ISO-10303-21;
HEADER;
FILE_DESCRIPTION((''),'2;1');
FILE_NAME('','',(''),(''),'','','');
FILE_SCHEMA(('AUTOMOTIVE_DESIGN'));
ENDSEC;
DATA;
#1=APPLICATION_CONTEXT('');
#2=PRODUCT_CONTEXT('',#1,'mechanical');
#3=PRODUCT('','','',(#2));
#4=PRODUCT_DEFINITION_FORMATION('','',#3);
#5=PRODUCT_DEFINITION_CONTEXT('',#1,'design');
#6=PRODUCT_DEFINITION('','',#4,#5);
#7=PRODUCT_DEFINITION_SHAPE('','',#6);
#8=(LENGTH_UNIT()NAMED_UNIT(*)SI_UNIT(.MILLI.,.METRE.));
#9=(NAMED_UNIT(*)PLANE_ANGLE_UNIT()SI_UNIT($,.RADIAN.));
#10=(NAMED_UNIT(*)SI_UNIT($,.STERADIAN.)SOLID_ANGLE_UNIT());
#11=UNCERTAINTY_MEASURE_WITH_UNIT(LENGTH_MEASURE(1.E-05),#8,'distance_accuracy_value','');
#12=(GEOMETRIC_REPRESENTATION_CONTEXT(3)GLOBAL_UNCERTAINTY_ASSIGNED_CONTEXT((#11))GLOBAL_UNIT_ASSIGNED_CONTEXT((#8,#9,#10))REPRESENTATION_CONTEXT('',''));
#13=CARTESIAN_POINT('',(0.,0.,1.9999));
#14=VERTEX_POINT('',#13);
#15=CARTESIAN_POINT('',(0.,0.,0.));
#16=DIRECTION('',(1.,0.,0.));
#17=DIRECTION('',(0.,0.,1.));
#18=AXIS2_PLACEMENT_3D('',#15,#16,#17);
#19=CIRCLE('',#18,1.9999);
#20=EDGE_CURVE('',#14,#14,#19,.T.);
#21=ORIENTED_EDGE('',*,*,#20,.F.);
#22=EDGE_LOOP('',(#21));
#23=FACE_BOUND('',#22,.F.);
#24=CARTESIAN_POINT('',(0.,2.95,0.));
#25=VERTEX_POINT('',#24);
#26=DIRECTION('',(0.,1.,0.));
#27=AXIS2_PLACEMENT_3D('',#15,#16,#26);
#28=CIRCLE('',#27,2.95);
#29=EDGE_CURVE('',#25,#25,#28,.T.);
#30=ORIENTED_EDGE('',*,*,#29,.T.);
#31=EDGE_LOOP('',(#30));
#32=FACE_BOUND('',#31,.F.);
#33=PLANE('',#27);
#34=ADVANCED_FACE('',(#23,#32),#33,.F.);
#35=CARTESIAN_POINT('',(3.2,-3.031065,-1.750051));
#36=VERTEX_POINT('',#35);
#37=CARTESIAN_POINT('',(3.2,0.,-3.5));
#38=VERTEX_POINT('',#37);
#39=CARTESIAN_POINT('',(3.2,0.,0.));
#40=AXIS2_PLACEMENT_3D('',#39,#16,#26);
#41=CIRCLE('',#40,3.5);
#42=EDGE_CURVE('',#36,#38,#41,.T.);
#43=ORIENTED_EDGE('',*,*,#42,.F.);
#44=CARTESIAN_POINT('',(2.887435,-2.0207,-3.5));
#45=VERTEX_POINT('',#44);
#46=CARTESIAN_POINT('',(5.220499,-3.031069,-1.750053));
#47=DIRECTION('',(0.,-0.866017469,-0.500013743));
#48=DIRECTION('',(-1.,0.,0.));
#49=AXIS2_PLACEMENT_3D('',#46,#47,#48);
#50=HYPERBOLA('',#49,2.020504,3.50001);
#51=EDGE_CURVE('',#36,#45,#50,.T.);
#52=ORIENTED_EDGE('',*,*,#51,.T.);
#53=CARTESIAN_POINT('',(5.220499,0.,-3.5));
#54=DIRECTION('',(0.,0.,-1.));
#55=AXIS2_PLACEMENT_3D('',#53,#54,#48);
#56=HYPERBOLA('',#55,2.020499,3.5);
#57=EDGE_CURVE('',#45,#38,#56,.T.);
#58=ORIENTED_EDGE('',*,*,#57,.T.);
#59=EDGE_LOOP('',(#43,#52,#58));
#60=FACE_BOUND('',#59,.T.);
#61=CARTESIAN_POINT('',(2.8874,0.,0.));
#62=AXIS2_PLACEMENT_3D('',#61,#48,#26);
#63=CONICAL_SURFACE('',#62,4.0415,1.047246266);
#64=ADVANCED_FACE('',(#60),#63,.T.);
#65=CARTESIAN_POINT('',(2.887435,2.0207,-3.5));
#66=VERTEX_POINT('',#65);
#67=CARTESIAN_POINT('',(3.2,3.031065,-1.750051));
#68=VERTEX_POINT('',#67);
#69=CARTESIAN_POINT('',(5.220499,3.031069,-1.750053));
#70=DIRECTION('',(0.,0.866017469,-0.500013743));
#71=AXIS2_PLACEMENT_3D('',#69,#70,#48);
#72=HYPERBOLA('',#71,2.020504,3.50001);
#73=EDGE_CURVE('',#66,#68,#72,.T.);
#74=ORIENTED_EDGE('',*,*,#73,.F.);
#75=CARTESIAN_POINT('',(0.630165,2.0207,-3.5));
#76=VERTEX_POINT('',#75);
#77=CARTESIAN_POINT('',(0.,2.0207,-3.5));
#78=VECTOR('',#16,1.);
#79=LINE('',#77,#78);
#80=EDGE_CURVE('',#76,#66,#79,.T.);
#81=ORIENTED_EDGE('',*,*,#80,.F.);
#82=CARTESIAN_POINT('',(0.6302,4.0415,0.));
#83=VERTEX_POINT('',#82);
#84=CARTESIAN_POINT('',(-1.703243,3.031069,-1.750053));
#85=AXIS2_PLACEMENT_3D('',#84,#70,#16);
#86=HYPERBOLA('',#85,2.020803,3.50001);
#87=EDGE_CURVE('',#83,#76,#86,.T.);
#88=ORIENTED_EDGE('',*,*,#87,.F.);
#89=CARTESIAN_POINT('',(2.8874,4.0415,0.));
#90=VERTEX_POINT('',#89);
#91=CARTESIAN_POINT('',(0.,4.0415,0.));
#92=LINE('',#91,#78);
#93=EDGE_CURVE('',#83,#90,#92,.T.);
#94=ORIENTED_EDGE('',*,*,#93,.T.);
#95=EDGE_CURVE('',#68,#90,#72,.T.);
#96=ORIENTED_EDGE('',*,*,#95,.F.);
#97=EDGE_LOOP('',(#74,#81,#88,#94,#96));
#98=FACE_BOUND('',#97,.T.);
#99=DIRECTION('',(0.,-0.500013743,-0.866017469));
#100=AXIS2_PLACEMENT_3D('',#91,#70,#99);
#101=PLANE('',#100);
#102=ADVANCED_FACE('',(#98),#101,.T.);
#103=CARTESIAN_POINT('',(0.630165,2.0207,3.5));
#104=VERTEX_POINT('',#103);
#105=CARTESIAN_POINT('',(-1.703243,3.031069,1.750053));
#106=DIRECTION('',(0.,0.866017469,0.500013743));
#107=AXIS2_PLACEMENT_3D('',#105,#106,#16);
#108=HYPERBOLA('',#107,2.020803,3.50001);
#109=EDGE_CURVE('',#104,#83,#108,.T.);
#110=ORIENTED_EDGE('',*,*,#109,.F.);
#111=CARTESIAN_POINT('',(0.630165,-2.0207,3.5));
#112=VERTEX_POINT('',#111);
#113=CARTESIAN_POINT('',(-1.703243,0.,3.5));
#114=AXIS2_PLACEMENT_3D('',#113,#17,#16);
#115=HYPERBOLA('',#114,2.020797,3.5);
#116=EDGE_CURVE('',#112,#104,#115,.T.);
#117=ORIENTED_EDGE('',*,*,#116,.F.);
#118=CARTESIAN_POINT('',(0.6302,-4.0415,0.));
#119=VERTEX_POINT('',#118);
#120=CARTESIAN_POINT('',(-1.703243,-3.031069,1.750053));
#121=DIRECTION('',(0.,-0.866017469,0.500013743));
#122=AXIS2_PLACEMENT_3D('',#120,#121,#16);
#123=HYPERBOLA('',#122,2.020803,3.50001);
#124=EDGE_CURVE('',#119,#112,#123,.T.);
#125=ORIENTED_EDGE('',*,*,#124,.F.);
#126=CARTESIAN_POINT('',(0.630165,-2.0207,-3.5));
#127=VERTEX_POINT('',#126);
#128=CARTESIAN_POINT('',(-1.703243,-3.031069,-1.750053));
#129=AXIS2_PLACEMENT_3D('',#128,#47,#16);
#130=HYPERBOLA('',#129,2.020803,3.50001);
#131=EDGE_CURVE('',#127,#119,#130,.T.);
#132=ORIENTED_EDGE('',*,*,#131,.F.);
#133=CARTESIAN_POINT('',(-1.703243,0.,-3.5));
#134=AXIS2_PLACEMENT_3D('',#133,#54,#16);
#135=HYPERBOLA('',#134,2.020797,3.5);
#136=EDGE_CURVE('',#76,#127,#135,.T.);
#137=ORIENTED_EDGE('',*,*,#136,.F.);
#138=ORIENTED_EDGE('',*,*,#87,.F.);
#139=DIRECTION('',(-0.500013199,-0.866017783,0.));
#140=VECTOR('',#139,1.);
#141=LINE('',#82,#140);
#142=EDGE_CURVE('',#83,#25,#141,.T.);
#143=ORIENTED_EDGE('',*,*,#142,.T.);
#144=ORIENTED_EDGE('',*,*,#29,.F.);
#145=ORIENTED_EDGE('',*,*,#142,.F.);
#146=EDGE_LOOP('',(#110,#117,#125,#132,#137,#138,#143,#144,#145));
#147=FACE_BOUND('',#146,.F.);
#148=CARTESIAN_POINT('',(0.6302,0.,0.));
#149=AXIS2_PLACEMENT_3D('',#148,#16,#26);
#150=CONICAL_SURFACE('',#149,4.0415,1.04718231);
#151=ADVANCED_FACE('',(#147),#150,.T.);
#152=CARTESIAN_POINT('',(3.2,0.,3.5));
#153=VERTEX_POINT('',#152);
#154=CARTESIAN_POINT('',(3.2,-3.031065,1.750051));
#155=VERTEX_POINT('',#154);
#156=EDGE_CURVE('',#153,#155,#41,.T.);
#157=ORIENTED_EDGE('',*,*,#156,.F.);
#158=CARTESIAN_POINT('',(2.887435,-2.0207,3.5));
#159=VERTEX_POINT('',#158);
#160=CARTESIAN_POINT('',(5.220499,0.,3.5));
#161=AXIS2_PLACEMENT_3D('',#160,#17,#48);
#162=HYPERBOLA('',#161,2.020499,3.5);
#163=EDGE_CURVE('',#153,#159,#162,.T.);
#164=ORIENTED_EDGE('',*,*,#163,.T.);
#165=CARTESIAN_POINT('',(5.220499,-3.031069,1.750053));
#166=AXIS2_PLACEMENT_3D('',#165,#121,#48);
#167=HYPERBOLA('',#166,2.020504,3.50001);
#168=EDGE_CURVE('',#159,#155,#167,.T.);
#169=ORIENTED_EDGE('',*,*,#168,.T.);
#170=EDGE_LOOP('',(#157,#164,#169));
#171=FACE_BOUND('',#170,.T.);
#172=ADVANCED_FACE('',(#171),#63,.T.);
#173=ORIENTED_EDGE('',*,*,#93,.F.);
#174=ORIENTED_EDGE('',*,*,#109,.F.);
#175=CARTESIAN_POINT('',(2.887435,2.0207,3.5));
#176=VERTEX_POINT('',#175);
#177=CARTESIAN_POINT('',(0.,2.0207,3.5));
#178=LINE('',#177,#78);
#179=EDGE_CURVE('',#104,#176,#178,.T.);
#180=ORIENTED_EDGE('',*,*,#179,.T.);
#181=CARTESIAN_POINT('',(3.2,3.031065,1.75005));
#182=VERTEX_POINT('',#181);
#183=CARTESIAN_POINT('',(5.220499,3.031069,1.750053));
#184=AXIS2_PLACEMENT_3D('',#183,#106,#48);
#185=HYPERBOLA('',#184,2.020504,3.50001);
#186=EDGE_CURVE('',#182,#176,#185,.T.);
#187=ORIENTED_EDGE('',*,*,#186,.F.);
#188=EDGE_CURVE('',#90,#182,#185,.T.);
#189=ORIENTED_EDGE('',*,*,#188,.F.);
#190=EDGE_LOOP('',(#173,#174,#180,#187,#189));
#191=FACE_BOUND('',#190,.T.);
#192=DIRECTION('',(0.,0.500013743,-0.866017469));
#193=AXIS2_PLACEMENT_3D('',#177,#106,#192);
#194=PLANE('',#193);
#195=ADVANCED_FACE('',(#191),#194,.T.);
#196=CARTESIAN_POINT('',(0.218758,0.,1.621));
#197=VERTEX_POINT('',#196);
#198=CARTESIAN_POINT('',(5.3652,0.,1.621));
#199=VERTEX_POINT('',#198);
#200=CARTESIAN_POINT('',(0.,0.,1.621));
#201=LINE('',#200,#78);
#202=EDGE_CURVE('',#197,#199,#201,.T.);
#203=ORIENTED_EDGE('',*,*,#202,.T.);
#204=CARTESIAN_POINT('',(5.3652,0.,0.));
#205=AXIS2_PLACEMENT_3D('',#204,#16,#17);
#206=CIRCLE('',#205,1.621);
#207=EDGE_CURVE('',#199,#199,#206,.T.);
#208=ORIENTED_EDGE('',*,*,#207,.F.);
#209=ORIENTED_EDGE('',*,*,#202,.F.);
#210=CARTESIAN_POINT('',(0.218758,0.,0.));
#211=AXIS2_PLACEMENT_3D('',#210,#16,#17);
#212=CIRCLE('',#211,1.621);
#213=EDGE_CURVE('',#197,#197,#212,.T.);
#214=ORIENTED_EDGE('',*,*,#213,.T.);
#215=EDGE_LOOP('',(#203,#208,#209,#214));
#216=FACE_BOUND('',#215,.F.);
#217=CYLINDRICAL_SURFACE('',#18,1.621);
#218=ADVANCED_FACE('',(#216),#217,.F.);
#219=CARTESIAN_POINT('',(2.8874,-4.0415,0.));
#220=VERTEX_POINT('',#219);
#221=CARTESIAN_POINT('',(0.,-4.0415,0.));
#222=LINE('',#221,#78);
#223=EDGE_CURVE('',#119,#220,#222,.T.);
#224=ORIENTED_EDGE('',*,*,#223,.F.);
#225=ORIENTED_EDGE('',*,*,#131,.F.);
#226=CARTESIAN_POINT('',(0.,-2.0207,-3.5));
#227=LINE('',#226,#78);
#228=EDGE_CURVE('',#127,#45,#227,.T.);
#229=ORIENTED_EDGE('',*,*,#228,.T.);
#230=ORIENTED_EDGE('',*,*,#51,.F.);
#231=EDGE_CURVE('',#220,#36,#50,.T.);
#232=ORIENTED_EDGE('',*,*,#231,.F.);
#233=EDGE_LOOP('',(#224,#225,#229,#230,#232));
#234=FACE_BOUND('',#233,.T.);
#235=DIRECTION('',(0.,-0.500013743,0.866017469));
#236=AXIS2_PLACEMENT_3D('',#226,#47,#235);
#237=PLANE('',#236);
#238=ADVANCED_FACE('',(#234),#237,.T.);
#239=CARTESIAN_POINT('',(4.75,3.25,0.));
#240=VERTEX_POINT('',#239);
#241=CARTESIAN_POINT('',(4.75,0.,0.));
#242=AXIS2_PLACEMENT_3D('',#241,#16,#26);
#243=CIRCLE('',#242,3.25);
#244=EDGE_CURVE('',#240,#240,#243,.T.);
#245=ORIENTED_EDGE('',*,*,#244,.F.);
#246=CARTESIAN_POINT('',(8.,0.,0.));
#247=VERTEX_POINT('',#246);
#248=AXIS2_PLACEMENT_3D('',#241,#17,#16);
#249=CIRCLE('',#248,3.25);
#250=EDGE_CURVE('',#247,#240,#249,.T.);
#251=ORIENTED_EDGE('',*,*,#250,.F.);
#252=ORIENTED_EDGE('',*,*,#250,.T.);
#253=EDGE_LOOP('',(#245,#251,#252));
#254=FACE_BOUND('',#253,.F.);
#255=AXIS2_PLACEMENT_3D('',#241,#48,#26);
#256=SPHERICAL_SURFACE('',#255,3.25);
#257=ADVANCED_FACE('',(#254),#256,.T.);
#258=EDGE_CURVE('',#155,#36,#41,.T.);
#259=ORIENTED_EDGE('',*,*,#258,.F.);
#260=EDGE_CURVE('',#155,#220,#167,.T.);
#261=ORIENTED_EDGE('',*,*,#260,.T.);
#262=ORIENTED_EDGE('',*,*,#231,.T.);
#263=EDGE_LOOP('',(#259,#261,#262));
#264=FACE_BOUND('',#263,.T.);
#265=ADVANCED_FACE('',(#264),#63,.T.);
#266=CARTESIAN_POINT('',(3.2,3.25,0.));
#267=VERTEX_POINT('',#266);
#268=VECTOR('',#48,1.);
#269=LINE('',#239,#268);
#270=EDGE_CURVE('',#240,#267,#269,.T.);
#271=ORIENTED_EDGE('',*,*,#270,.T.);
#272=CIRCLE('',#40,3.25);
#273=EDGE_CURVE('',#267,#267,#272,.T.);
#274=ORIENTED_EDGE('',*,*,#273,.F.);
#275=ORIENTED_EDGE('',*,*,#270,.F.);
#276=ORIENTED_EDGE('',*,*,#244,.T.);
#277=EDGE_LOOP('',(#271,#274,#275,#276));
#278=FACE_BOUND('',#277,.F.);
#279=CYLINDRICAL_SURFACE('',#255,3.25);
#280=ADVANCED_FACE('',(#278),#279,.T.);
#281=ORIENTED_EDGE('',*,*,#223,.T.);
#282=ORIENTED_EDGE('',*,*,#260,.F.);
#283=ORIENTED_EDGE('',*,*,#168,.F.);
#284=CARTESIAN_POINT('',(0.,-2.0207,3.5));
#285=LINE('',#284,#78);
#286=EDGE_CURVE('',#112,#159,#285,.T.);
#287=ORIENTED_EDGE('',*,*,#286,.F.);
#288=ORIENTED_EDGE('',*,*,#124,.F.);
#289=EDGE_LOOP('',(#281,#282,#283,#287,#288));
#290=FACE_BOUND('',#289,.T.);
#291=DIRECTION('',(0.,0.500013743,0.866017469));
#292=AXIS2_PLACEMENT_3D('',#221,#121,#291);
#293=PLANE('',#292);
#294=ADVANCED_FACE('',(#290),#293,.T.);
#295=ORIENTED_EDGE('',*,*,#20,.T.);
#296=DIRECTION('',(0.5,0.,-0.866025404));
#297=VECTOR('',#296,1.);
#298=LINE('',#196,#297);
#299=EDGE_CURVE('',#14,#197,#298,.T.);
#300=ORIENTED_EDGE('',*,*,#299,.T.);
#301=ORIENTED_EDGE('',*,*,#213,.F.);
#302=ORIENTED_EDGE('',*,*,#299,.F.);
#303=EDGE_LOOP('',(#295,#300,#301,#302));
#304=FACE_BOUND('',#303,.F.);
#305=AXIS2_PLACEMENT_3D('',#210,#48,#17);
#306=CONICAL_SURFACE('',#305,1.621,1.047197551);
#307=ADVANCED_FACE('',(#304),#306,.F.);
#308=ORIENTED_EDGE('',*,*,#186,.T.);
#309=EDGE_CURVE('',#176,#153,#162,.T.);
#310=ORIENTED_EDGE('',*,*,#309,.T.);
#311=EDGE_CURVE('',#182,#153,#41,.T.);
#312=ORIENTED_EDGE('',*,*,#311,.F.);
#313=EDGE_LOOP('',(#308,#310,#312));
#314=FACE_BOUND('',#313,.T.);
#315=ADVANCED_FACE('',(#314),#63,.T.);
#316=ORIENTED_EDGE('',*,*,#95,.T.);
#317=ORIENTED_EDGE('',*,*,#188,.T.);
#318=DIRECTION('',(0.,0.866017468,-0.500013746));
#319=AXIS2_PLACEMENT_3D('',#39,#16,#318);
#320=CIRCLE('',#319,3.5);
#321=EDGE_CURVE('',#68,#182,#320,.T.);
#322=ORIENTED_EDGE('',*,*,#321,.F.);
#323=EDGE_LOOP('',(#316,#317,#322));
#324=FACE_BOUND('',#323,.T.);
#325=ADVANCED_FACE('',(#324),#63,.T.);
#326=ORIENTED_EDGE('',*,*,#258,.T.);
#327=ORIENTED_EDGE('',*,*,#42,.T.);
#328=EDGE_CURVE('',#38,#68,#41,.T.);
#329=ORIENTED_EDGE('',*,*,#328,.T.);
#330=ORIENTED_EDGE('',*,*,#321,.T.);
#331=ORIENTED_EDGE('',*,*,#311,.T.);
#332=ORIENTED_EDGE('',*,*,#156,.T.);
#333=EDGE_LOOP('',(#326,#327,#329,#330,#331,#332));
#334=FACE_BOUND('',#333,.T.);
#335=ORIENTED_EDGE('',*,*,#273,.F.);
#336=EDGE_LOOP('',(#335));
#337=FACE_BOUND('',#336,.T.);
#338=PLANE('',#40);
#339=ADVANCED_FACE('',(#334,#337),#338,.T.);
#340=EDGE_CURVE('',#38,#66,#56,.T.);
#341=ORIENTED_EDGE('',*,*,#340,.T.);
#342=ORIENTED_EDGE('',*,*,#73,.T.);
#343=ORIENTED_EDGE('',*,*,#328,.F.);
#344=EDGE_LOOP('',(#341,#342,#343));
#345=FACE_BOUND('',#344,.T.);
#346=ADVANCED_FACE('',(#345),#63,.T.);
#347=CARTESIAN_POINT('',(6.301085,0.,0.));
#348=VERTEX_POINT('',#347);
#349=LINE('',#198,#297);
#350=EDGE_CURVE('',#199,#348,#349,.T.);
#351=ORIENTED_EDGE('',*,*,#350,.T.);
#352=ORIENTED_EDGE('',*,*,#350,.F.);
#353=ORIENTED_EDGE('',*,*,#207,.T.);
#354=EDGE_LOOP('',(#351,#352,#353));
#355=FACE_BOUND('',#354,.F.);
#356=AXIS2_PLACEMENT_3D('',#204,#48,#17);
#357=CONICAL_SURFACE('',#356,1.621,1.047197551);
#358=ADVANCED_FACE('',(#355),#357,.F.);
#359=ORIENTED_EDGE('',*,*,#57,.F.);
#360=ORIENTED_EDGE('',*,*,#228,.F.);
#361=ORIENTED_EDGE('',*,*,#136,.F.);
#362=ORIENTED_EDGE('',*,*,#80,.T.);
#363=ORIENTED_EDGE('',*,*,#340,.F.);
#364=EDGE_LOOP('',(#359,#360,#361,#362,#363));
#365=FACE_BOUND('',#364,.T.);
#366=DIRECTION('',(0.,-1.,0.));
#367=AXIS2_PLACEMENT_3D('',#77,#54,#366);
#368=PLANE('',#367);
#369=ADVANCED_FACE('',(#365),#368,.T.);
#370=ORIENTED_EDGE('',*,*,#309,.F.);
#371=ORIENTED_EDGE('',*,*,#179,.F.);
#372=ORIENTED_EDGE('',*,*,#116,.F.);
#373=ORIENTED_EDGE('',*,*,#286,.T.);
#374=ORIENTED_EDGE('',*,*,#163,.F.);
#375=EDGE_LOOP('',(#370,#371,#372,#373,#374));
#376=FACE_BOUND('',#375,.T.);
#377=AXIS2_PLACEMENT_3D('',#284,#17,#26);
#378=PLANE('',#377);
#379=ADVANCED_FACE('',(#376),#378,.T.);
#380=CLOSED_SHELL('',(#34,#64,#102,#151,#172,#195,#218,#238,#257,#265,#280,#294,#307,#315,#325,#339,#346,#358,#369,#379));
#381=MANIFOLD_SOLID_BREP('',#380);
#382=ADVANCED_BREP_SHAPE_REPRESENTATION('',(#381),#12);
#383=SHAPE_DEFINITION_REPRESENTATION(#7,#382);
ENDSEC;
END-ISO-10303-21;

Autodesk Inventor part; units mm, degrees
ref_plane "YZ Plane" through (0, 0, 0) normal (1, 0, 0) x (0, 1, 0)
ref_plane "XZ Plane" through (0, 0, 0) normal (0, 1, 0) x (-1, 0, 0)
sketch "Boceto1" plane through (0, 0, 0) normal (1, 0, 0) x (0, 1, 0)
  line L0 (-2.0207, -3.5) -> (-4.0415, 0)
  line L1 (-4.0415, 0) -> (-2.0207, 3.5)
  line L2 (-2.0207, 3.5) -> (2.0207, 3.5)
  line L3 (2.0207, 3.5) -> (4.0415, 0)
  line L4 (4.0415, 0) -> (2.0207, -3.5)
  line L5 (2.0207, -3.5) -> (-2.0207, -3.5)
  point P0 (0, 0)
  point P1 (0, 0)
  dimension "d0" = 8.0829
extrude "Cuerpo" add sketch "Boceto1" along normal blind 3.2
sketch "Boceto2" plane through (0, 0, 0) normal (0, 0, 1) x (1, 0, 0)
  line L0 (3.2, 0) -> (8, 0)
  arc A0 (8, 0) -> (4.75, 3.25) centre (4.75, 0) ccw
  line L1 (4.75, 3.25) -> (3.2, 3.25)
  line L2 (3.2, -2.0207) -> (3.2, 2.0207) projected
  line L3 (3.2, 0) -> (3.2, 3.25)
  line L4 (2.1054, 0) -> (9.7677, 0) projected
  dimension "d8" = 3.25
  dimension "d9" = 4.8
revolve "Remate" add sketch "Boceto2" angle 360 about axis through (3.2, 0, 0) along (1, 0, 0)
sketch "Boceto3" plane through (0, 0, 0) normal (-1, 0, 0) x (0, 0, 1)
  line L0 (0, -5.658) -> (0, 5.658) projected
  line L1 (-4.9, 0) -> (4.9, 0) projected
  point P0 (0, 0)
hole "Rosca" at (0, 0, 0) direction (1, 0, 0) diameter 3.242 depth 5.3652 tip angle 120 thread size "M4x0.7" class "6H" standard "ISO Metric profile"
sketch "Boceto4" plane through (0, 0, 0) normal (0, 0, 1) x (1, 0, 0)
  line L0 (0, 2.0207) -> (0, 4.0415) projected
  line L1 (0, 4.0415) -> (3.2, 4.0415) projected
  line L2 (3.2, 2.0207) -> (3.2, 4.0415) projected
  line L3 (-0.64, 0) -> (3.84, 0) projected
  line L4 (0.6302, 4.0415) -> (0, 2.95)
  line L5 (2.8874, 4.0415) -> (3.2, 3.5)
  dimension "d3" = 5.9
  dimension "d4" = 30
  dimension "d5" = 7
  dimension "d6" = 30
revolve "Chaflán1" cut sketch "Boceto4" angle 360 about axis through (-10, 0, 0) along (1, 0, 0)
chamfer "Chaflán2" distance 0.3789 angle 30 1 edges at (0, 0, -1.621) measured on face at (0, 2.4745, -0.3005)
ref_plane "Work Plane1" through (2.6826, 0, 0) normal (0, 0.866, -0.5) x (-1, 0, 0)
equation "\"d0\" = 1.1547 * SW"
equation "\"d1\" = SIH"
equation "\"d8\" = KR"
equation "\"d9\" = KOH1 - SIH"
equation "\"d11\" = GEL"
equation "\"d12\" = 1.02 * GEL"
equation "\"d3\" = SW0"
equation "\"d4\" = ANG1"
equation "\"d5\" = SW01"
equation "\"d6\" = ANG2"
equation "\"d14\" = -0.5 * GD1 + 0.5 * NND"
equation "\"d36\" = -0.5 * GD1 + 0.5 * NND"
equation "\"ANG1\" = 30deg"
equation "\"ANG2\" = 30deg"
equation "\"NND\" = 4"
equation "\"SIH\" = 3.2"
equation "\"KOH1\" = 8"
equation "\"GEL\" = 5.26"
equation "\"SW\" = 7"
equation "\"KR\" = 3.25"
equation "\"SW0\" = 5.9"
equation "\"SW01\" = SW"
equation "\"GUL\" = 0.541266 * PTC"
equation "\"THREADDIA\" = 4"
equation "\"TOA\" = 30deg"
equation "\"PTC\" = 0.7"
equation "\"E0\" = 1.155 * SW"
equation "\"GAL\" = 0.541266 * PTC"
equation "\"GD1\" = 3.242228"
properties part number "CF-TCA-0003" material "Acero, suave"
